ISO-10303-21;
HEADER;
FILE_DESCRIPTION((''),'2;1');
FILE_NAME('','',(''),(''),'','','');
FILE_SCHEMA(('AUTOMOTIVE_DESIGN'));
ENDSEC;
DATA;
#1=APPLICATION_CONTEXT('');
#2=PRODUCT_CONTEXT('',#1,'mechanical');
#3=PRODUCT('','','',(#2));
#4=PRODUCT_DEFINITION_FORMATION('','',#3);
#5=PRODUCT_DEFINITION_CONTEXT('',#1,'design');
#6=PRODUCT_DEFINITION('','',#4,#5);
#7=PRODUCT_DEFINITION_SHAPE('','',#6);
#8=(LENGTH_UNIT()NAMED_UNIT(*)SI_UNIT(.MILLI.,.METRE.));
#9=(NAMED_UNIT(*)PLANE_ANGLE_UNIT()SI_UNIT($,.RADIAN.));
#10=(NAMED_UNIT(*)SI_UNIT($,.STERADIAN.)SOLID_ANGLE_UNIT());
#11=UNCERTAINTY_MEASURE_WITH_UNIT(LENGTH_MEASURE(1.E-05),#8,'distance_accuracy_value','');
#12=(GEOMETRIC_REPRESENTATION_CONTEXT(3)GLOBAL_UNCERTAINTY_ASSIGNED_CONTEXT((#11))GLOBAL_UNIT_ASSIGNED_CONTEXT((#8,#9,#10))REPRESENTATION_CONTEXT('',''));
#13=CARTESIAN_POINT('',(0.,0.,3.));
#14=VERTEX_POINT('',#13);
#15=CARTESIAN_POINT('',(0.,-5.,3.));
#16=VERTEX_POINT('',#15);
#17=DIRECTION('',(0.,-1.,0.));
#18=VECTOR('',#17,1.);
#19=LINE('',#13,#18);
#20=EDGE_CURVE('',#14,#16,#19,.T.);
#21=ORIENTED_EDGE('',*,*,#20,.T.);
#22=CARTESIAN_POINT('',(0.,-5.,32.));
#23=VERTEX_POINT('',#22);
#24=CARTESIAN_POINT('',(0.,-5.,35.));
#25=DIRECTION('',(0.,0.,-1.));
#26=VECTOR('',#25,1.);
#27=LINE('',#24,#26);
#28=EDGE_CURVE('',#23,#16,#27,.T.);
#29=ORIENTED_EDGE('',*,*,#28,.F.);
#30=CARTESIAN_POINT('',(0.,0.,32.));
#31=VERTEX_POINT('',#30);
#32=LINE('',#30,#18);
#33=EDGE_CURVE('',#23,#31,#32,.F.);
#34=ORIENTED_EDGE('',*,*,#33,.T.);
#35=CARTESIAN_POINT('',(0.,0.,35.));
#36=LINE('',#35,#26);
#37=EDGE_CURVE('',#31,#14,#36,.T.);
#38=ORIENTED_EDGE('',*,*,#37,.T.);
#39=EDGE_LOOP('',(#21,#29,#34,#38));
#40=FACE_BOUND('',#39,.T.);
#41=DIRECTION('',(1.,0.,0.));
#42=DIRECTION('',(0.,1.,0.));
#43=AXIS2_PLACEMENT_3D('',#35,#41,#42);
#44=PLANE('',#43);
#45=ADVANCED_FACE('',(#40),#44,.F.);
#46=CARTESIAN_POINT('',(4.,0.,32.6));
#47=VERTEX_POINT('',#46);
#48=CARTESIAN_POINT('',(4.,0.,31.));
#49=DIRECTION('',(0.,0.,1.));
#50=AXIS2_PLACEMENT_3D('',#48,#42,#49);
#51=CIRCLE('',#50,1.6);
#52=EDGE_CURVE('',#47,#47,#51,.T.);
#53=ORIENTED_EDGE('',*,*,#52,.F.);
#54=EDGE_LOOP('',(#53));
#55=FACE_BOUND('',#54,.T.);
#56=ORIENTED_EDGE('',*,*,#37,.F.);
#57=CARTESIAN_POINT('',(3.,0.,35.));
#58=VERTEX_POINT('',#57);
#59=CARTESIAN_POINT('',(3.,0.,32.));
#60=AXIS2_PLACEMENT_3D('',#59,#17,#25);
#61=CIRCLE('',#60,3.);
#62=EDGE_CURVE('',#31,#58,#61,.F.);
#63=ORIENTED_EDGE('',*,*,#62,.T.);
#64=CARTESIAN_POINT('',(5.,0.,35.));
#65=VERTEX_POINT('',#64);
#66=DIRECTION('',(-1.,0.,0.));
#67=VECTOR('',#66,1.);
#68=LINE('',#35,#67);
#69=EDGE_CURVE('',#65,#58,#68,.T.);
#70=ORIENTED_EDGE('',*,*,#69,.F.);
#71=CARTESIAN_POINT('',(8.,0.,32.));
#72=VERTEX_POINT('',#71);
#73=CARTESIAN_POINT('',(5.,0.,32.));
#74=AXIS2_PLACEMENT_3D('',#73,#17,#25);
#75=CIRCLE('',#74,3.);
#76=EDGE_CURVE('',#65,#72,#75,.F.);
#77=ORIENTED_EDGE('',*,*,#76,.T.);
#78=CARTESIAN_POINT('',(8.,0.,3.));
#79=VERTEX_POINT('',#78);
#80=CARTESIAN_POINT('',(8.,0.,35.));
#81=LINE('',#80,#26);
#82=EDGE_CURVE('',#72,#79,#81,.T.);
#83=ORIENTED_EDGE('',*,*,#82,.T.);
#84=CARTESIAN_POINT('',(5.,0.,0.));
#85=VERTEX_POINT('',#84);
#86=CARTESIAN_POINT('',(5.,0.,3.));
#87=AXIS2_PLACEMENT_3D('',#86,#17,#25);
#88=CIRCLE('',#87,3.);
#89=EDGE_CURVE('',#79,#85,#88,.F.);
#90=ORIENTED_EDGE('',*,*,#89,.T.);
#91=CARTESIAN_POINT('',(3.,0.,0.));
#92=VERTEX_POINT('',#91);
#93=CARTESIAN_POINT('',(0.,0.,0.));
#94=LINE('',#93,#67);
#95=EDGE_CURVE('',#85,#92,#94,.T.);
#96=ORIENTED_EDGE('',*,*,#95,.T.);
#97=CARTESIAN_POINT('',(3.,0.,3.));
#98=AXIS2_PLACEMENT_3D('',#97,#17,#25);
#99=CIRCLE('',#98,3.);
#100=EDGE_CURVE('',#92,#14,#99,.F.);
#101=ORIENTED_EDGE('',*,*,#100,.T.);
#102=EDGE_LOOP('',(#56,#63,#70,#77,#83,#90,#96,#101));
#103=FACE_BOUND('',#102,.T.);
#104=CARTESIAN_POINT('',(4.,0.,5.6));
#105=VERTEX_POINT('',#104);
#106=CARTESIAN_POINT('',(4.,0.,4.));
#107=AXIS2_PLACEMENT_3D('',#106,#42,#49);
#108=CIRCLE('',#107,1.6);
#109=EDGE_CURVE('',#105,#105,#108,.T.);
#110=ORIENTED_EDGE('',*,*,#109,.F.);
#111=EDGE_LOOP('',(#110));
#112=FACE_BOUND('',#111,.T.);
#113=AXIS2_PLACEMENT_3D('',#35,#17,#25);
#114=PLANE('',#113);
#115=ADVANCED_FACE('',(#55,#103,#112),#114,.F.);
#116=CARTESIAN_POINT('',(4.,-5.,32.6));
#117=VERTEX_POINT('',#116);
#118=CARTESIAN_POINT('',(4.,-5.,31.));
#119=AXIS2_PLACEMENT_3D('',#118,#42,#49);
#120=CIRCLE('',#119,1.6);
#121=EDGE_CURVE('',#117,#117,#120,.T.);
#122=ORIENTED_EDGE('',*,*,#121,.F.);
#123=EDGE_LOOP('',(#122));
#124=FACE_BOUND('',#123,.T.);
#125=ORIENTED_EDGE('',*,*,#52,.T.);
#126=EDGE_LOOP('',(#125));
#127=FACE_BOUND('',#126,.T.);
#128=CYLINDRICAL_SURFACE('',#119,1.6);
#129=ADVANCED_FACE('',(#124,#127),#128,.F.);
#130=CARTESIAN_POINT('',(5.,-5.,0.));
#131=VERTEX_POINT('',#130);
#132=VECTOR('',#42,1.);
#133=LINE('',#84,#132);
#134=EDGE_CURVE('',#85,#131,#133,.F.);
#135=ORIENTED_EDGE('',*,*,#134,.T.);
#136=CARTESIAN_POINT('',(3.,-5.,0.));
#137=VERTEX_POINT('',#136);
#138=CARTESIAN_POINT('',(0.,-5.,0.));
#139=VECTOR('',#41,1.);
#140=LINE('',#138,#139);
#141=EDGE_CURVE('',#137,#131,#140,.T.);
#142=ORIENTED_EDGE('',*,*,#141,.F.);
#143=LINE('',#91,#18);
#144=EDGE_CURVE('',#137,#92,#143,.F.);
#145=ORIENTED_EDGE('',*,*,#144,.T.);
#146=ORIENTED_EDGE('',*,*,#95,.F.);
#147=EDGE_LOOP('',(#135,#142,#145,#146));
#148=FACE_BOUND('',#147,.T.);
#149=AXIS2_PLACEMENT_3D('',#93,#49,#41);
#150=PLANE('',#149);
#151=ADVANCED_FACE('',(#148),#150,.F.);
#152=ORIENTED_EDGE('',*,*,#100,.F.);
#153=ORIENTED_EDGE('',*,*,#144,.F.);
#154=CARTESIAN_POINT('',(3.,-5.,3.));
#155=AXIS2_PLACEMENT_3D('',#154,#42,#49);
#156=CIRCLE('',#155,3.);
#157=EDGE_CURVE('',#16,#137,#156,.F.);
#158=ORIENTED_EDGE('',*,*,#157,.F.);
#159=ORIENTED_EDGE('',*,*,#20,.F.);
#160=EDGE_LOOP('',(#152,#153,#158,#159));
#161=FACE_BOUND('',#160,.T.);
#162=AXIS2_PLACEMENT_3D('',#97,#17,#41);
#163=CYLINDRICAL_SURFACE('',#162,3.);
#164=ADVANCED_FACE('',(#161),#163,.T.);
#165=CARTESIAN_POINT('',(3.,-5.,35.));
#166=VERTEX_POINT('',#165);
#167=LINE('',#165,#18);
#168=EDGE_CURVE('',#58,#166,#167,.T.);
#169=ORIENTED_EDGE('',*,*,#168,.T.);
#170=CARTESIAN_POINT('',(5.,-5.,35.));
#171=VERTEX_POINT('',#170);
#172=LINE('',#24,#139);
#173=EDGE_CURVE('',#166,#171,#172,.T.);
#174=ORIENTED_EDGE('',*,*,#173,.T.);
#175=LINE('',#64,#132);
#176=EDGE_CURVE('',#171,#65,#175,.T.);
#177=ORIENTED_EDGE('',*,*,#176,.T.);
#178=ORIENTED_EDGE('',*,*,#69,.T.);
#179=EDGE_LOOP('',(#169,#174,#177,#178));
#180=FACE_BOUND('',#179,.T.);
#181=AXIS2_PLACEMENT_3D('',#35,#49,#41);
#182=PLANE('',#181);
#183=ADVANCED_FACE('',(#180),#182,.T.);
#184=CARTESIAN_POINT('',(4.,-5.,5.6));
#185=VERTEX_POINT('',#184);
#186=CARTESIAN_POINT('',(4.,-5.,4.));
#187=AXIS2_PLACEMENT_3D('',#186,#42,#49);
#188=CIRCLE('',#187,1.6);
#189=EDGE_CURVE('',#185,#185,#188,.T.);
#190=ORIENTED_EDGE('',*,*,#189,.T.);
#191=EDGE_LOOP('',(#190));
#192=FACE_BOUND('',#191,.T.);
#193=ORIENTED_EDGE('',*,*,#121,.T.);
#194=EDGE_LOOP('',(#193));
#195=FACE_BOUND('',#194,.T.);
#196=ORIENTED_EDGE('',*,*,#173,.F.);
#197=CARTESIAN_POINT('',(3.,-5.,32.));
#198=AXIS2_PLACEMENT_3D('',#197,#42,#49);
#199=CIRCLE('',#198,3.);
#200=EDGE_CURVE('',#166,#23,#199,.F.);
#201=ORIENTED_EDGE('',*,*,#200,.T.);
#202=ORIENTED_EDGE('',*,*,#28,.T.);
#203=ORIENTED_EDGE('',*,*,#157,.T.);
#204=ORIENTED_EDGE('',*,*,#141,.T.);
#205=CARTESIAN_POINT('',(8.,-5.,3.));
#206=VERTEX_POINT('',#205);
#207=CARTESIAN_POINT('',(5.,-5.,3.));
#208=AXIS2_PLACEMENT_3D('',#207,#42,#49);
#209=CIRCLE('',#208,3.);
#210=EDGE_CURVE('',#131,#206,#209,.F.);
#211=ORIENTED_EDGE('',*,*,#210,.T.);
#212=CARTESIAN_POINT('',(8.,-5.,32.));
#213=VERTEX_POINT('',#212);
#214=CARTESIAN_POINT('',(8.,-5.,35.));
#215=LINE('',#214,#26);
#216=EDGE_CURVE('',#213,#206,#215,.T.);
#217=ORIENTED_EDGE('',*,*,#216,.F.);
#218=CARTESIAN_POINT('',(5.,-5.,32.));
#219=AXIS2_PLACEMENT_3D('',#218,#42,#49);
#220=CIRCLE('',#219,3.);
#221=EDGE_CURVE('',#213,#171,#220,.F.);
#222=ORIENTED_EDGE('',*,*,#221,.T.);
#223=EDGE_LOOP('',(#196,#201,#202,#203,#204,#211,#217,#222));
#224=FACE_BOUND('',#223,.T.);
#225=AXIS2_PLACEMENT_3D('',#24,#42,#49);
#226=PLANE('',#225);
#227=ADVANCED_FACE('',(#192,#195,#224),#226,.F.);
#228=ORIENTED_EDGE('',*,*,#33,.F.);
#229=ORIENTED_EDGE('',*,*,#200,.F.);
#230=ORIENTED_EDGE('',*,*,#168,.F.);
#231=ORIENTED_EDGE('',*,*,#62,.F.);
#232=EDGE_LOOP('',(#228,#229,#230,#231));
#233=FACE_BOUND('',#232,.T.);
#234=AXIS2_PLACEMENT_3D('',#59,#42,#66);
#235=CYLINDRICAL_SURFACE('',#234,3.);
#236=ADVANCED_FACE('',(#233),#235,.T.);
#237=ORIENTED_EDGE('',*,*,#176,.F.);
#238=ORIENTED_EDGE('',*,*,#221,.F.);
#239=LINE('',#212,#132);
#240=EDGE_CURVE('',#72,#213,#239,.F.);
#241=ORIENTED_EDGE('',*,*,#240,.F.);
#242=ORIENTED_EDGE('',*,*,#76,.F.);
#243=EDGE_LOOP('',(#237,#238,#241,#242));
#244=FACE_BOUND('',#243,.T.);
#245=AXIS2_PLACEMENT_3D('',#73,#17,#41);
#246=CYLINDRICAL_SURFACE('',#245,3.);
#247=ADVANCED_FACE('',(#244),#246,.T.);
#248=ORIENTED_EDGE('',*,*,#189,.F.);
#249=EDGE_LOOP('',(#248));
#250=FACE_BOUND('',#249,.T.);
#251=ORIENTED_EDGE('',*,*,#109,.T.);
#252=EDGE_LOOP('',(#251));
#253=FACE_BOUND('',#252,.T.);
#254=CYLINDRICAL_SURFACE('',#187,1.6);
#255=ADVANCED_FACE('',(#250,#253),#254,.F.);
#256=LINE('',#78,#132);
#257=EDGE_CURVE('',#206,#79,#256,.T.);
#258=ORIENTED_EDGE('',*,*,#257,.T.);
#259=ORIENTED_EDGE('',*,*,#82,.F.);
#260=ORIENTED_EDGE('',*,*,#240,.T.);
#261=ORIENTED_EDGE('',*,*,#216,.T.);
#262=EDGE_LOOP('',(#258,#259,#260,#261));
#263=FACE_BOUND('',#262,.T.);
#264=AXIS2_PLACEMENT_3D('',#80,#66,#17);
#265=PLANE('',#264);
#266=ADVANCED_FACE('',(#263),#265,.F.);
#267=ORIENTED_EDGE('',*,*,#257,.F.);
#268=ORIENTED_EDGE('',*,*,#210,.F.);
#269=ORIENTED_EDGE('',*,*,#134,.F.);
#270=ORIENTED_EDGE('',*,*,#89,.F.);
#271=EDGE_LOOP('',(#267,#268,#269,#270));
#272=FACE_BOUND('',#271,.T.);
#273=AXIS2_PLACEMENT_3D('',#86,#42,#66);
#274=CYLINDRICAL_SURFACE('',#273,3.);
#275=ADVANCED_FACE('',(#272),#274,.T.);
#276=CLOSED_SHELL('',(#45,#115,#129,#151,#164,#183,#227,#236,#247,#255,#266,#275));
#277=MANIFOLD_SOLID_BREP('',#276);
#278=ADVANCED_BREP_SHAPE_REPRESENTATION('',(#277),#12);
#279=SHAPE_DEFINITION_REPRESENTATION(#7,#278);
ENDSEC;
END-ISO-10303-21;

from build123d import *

# Parameters (mm, degrees)
SKETCH1_W           = 8
SKETCH1_H           = 5
BOSS_EXTRUDE1_DEPTH = 35
SKETCH2_R           = 1.6
CUT_EXTRUDE1_DEPTH  = 37.249137921
FILLET1_R           = 3


with BuildPart() as part:
    # Sketch1 → Boss-Extrude1 (new body)
    with BuildSketch(Plane.XY):
        with Locations((4, -2.5)):
            Rectangle(SKETCH1_W, SKETCH1_H)
    extrude(amount=BOSS_EXTRUDE1_DEPTH)

    # Sketch2 → Cut-Extrude1 (cut, through all)
    with BuildSketch(Plane(origin=(0, 0, 0), x_dir=(1, 0, 0), z_dir=(0, 1, 0))):
        with Locations(Location((4, -4, 0), (0, 0, 270))):
            Circle(SKETCH2_R)
        with Locations(Location((4, -31, 0), (0, 0, 270))):
            Circle(SKETCH2_R)
    extrude(amount=-CUT_EXTRUDE1_DEPTH, mode=Mode.SUBTRACT)

    # Fillet1
    fillet1_edges = [part.edges().sort_by_distance(p)[0] for p in [
        (8, -2.5, 35),
        (0, -2.5, 35),
        (8, -2.5, 0),
        (0, -2.5, 0),
    ]]
    fillet(fillet1_edges, radius=FILLET1_R)


solid = part.part
